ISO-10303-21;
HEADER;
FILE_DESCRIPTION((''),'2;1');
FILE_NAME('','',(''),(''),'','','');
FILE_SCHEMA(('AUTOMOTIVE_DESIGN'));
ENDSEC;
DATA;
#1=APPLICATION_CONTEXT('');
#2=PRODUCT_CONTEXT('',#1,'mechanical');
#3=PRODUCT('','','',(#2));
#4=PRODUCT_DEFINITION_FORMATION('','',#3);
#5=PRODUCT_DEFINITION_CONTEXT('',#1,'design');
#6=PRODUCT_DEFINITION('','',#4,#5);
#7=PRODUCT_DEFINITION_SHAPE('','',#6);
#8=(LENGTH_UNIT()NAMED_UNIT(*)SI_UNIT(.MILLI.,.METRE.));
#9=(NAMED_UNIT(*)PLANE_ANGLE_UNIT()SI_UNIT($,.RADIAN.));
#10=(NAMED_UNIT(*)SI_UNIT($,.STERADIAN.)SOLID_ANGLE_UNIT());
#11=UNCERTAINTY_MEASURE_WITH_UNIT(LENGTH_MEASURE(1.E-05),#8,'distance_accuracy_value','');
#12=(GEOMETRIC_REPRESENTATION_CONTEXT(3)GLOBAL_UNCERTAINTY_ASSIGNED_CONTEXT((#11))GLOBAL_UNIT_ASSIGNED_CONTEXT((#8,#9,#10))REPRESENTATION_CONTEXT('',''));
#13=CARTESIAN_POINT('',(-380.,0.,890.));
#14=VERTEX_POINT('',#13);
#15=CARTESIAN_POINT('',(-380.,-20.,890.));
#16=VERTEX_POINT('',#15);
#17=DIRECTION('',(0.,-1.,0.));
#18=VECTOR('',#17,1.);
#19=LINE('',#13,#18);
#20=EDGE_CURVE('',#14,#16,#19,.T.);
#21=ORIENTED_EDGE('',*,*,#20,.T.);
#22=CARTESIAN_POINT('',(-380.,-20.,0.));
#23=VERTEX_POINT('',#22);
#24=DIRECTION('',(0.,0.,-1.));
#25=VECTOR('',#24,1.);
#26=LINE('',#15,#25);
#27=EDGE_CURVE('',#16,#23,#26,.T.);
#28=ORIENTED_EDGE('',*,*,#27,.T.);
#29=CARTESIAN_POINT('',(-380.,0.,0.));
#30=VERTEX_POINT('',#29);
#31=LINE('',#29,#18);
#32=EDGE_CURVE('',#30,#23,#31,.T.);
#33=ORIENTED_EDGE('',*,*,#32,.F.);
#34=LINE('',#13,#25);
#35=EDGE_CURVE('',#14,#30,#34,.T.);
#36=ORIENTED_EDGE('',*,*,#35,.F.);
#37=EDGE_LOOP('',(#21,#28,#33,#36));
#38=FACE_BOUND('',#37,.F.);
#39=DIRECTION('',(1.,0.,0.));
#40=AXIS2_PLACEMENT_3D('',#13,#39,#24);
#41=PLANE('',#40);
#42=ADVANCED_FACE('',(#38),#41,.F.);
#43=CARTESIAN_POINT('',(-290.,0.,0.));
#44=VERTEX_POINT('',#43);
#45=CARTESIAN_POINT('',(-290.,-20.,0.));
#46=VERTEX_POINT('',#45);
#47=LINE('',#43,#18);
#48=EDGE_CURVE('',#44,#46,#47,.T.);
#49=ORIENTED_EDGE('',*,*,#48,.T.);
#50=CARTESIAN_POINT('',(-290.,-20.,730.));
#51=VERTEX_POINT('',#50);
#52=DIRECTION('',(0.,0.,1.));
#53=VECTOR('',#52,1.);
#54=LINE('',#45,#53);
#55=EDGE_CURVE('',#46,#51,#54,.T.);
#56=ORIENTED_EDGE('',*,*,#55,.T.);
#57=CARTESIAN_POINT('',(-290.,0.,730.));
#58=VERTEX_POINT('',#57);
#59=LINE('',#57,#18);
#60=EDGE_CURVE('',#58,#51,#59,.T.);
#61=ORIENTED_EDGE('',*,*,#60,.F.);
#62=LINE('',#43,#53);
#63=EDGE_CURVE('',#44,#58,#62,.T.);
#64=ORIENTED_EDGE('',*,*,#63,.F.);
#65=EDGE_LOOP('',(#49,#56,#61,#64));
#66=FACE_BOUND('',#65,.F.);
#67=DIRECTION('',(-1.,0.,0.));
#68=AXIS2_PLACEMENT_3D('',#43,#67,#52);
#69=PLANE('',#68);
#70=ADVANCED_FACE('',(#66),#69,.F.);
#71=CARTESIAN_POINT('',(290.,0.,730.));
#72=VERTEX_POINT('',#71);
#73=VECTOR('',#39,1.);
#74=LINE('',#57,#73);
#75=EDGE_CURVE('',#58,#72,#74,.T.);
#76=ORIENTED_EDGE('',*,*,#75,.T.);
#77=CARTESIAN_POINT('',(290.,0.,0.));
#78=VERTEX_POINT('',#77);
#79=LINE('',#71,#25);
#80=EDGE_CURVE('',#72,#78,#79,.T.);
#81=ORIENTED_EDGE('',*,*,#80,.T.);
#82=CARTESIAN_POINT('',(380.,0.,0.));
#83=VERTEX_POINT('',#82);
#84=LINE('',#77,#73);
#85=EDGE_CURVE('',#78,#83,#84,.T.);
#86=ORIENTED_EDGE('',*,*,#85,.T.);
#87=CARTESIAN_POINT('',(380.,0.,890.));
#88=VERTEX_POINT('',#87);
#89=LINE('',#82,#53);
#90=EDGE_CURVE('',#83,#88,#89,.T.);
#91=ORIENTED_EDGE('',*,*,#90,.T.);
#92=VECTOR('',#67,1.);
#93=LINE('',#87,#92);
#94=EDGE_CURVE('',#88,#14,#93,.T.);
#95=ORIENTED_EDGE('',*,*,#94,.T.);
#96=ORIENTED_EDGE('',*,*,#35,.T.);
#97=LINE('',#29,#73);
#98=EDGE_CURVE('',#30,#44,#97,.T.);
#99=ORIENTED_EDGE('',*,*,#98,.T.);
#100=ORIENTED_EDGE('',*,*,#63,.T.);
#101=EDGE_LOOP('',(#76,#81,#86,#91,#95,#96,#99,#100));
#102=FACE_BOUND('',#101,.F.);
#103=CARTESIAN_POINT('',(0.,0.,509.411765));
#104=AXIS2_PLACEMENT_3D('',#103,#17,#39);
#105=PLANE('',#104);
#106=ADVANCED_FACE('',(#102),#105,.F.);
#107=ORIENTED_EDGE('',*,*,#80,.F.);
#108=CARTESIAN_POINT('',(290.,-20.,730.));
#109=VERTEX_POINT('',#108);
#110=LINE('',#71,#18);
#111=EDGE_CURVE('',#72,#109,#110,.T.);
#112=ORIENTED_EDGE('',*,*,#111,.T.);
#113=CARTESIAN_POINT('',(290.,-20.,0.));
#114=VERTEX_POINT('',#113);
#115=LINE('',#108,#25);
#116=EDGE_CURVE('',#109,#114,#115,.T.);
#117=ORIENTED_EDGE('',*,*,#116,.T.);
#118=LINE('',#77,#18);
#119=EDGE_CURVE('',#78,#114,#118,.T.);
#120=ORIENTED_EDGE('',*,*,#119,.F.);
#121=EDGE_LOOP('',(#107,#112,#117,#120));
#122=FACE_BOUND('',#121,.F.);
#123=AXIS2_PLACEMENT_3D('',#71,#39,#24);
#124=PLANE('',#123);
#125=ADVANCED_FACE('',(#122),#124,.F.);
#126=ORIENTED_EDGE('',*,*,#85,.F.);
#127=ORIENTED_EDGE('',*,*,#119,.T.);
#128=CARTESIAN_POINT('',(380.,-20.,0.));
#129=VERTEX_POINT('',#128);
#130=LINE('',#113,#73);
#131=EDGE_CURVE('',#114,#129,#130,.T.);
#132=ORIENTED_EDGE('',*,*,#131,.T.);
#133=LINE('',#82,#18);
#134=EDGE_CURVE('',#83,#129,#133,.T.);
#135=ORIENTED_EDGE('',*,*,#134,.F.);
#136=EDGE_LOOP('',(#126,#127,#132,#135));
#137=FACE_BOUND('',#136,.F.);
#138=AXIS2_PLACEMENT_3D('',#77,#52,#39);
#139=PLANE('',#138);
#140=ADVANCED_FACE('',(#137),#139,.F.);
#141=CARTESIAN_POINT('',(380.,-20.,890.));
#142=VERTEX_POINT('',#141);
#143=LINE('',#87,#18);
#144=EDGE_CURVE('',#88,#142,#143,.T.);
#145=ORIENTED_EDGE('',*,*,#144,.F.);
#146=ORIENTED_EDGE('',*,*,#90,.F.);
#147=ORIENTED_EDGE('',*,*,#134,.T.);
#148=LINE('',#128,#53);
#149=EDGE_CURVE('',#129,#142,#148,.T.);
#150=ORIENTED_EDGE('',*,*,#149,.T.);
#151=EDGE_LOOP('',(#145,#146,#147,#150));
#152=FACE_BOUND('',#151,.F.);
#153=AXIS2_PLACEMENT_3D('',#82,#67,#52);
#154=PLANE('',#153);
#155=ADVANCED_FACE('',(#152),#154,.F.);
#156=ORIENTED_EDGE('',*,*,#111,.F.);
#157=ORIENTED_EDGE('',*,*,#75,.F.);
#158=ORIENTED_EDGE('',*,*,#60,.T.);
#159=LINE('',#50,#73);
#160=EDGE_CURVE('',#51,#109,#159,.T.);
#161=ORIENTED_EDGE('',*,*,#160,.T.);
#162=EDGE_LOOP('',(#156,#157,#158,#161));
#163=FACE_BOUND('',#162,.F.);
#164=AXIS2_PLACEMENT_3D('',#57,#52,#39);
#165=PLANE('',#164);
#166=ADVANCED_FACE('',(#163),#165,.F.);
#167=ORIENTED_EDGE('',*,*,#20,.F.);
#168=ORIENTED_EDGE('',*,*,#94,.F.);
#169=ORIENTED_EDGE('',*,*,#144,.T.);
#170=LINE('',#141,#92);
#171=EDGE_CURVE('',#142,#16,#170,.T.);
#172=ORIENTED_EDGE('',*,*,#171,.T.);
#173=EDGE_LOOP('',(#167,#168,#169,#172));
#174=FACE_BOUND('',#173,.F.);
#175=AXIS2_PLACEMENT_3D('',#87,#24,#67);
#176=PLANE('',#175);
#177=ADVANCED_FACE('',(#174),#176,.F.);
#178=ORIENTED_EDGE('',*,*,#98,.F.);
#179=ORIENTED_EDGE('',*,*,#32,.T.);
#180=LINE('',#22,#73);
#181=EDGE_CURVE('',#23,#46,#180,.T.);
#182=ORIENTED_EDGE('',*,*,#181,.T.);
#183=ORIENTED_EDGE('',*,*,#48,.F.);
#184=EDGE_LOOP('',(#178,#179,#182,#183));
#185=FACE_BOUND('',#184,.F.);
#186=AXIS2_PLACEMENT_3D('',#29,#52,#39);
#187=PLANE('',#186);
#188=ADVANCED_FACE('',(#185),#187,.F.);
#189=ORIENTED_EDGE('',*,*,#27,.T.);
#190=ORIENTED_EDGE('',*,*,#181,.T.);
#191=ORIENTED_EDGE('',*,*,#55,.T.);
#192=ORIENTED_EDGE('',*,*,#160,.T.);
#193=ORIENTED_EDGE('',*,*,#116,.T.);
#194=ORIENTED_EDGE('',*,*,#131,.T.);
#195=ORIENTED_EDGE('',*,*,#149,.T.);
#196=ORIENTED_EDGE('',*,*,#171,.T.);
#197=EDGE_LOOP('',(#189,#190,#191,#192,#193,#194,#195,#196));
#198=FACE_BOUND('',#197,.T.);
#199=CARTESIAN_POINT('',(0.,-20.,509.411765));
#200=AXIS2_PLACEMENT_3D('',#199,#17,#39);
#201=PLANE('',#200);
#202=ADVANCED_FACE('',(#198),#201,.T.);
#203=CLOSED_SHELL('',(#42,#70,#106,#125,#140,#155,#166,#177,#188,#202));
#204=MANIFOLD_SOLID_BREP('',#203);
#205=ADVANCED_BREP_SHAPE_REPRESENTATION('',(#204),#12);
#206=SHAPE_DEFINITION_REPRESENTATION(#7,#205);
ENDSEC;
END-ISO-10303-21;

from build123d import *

# Parameters (mm, degrees)
PAD_DEPTH = 20


with BuildPart() as part:
    # Sketch → Pad (new body)
    with BuildSketch(Plane.XZ):
        Polygon((-380, 0), (-290, 0), (-290, 730), (290, 730), (290, 0), (380, 0), (380, 890), (-380, 890), align=None)
    extrude(amount=PAD_DEPTH)


solid = part.part
